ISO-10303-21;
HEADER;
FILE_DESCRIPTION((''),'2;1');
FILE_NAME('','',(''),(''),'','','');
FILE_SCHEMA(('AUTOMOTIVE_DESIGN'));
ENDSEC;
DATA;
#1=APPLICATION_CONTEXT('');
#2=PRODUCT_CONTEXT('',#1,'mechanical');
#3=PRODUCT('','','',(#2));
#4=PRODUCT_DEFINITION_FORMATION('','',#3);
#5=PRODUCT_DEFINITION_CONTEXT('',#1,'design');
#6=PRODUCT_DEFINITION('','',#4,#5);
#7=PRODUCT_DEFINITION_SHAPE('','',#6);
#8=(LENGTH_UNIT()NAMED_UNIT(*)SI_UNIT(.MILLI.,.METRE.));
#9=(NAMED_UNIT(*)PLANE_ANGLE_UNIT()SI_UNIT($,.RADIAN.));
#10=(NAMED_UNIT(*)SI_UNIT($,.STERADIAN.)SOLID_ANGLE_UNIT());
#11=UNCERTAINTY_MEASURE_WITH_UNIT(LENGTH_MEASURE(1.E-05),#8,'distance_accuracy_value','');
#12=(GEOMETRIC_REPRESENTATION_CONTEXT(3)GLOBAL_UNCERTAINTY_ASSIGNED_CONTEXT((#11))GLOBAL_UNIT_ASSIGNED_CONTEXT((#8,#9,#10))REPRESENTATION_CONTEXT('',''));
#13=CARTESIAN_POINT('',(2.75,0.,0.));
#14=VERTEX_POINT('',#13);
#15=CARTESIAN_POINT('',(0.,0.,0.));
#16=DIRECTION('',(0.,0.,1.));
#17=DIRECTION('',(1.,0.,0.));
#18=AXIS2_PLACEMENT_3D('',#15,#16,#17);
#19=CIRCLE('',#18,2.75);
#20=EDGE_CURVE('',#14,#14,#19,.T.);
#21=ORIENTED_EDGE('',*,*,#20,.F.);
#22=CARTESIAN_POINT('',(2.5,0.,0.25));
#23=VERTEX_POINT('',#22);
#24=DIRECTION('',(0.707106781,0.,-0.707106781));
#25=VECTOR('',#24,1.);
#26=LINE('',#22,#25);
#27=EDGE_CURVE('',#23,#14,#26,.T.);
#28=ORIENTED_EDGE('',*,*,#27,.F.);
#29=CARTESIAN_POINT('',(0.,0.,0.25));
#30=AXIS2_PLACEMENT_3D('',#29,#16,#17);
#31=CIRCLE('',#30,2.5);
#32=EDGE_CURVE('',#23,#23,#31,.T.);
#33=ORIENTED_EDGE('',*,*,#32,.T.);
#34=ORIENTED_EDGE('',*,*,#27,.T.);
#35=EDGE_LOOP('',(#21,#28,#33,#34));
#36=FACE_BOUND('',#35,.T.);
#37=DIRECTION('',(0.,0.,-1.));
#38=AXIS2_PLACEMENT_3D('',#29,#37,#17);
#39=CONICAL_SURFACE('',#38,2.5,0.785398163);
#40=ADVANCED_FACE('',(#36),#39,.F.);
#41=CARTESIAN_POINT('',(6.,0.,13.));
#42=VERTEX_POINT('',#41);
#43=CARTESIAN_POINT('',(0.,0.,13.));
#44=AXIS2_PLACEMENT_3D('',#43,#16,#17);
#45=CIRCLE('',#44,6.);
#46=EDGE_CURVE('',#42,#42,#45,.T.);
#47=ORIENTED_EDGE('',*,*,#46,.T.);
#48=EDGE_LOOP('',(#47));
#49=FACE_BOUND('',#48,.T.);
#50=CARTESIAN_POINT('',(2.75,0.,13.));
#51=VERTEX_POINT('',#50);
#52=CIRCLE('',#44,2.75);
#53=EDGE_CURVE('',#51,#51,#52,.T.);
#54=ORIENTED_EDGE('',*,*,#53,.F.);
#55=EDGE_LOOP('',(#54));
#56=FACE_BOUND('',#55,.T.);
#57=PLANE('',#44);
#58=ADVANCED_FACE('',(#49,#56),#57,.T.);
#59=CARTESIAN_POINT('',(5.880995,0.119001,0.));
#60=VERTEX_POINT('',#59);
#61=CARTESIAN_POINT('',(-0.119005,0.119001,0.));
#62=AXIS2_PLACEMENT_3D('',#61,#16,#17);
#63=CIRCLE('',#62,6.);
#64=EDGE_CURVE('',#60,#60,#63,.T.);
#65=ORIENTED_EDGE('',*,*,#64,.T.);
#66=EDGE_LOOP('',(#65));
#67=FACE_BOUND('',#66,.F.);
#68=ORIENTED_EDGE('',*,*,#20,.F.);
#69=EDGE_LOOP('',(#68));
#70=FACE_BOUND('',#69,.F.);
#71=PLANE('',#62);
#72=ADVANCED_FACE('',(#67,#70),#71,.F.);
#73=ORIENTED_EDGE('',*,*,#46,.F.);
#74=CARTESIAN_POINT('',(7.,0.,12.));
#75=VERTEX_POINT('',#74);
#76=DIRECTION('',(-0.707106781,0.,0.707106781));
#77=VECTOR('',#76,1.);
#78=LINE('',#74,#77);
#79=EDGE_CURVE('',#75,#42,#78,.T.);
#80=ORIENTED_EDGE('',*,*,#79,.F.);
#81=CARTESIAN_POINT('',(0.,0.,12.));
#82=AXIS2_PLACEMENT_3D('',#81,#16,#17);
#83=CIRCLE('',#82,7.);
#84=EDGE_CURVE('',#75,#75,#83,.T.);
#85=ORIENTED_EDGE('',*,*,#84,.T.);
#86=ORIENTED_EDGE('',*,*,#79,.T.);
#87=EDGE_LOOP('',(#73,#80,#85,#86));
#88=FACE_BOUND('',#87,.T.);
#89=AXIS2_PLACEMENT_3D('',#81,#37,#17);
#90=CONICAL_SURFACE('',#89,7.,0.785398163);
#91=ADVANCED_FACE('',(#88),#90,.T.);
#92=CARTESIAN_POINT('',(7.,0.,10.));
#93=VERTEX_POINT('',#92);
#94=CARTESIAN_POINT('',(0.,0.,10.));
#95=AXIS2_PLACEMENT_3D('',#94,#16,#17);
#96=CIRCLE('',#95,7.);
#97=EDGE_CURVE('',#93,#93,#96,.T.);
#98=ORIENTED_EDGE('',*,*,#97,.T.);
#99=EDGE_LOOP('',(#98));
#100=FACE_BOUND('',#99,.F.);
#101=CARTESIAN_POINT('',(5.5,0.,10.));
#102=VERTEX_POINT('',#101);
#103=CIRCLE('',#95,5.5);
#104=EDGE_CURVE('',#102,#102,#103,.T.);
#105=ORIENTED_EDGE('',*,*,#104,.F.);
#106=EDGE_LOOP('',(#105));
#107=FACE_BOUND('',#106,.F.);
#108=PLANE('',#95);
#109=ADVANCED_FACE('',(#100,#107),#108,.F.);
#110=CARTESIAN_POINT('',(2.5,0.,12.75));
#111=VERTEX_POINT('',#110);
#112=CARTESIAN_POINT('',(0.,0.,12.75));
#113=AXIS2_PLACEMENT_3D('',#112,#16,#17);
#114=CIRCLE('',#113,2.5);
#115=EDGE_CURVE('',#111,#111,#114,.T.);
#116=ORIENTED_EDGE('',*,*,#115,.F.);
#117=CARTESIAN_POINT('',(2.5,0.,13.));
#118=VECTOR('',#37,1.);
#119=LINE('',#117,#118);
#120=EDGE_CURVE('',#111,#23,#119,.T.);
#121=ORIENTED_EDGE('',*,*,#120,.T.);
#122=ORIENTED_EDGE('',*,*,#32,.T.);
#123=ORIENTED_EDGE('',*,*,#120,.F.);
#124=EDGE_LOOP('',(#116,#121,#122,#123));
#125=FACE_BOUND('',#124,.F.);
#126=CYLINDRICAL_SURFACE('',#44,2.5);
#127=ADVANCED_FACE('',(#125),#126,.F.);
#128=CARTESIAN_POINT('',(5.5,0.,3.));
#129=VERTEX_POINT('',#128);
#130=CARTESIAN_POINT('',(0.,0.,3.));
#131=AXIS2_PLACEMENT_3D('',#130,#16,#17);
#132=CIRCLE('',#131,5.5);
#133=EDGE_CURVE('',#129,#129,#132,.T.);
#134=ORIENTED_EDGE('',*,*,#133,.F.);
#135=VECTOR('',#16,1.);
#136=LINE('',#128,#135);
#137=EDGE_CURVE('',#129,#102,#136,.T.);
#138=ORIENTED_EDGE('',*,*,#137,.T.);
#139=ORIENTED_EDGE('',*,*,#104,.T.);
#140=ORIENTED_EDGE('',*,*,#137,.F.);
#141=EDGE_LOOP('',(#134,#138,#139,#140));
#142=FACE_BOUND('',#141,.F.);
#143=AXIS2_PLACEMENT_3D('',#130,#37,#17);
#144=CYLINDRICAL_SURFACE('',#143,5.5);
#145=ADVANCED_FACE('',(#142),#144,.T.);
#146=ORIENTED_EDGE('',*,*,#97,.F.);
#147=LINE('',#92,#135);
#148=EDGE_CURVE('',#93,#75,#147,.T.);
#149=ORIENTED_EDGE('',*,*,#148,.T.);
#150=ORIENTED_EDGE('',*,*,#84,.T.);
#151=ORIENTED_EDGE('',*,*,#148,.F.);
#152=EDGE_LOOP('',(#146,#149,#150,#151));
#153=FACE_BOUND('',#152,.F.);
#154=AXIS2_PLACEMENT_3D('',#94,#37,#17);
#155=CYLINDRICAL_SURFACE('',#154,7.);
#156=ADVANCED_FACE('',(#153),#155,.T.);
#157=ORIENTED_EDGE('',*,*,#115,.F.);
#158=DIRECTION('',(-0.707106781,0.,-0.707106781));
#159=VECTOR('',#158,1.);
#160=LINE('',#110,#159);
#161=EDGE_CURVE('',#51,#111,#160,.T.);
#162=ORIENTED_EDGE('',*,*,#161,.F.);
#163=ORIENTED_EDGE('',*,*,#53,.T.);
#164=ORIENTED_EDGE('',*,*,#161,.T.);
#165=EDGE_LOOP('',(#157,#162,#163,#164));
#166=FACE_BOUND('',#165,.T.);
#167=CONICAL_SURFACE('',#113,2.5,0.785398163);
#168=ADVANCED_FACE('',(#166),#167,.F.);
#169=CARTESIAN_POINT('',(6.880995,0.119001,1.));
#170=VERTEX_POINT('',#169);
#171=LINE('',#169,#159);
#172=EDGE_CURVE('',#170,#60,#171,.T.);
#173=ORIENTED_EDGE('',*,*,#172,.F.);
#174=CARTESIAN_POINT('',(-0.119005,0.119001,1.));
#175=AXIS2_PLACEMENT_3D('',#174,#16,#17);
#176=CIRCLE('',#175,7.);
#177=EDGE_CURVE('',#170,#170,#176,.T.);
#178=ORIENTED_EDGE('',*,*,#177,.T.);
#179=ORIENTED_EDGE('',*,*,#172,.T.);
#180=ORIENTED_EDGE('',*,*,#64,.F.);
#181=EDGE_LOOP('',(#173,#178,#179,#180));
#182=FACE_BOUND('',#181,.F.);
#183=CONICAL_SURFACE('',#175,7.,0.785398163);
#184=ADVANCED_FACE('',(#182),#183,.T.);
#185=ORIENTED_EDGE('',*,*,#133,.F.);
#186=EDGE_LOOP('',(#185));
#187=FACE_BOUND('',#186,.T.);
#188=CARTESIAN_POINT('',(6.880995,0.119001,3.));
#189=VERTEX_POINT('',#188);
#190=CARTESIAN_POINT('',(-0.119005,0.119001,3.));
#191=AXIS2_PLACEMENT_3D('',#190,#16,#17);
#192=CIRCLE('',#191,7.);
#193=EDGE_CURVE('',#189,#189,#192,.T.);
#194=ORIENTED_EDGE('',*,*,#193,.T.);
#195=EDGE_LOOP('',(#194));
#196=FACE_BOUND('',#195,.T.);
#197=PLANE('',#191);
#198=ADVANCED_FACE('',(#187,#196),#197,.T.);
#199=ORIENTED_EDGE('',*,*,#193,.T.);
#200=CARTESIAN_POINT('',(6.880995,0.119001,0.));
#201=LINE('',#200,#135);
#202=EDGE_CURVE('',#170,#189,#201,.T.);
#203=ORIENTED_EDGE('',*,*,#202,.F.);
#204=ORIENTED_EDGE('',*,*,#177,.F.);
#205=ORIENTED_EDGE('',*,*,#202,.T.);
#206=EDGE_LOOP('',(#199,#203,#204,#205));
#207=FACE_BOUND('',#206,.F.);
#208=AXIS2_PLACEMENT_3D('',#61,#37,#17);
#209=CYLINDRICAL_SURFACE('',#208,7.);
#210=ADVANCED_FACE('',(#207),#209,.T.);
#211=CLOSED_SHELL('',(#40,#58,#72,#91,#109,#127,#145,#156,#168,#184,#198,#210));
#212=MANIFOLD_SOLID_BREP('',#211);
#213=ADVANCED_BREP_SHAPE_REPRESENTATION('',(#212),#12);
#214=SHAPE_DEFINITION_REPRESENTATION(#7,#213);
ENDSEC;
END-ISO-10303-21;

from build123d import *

# Parameters (mm, degrees)
SKETCH_R        = 7
PAD_DEPTH       = 3
SKETCH001_R     = 5.5
PAD001_DEPTH    = 7
SKETCH002_R     = 7
PAD002_DEPTH    = 3
CHAMFER_SIZE    = 1
SKETCH003_R     = 2.5
POCKET_DEPTH    = 13.001
CHAMFER001_SIZE = 0.25


with BuildPart() as part:
    # Sketch → Pad (new body)
    with BuildSketch(Plane.XY):
        with Locations((-0.119005, 0.119001)):
            Circle(SKETCH_R)
    extrude(amount=PAD_DEPTH)

    # Sketch001 → Pad001 (new body)
    with BuildSketch(Plane.XY.offset(3)):
        Circle(SKETCH001_R)
    extrude(amount=PAD001_DEPTH)

    # Sketch002 → Pad002 (new body)
    with BuildSketch(Plane.XY.offset(10)):
        Circle(SKETCH002_R)
    extrude(amount=PAD002_DEPTH)

    # Chamfer
    chamfer_edges = [part.edges().sort_by_distance(p)[0] for p in [
        (-7, 0, 13),
        (-7.119005, 0.119001, 0),
    ]]
    chamfer(chamfer_edges, length=CHAMFER_SIZE)

    # Sketch003 → Pocket (cut, through all)
    with BuildSketch(Plane.XY.offset(13)):
        Circle(SKETCH003_R)
    extrude(amount=-POCKET_DEPTH, mode=Mode.SUBTRACT)

    # Chamfer001
    chamfer001_edges = [part.edges().sort_by_distance(p)[0] for p in [
        (-2.5, 0, 13),
        (-2.5, 0, 0),
    ]]
    chamfer(chamfer001_edges, length=CHAMFER001_SIZE)


solid = part.part
